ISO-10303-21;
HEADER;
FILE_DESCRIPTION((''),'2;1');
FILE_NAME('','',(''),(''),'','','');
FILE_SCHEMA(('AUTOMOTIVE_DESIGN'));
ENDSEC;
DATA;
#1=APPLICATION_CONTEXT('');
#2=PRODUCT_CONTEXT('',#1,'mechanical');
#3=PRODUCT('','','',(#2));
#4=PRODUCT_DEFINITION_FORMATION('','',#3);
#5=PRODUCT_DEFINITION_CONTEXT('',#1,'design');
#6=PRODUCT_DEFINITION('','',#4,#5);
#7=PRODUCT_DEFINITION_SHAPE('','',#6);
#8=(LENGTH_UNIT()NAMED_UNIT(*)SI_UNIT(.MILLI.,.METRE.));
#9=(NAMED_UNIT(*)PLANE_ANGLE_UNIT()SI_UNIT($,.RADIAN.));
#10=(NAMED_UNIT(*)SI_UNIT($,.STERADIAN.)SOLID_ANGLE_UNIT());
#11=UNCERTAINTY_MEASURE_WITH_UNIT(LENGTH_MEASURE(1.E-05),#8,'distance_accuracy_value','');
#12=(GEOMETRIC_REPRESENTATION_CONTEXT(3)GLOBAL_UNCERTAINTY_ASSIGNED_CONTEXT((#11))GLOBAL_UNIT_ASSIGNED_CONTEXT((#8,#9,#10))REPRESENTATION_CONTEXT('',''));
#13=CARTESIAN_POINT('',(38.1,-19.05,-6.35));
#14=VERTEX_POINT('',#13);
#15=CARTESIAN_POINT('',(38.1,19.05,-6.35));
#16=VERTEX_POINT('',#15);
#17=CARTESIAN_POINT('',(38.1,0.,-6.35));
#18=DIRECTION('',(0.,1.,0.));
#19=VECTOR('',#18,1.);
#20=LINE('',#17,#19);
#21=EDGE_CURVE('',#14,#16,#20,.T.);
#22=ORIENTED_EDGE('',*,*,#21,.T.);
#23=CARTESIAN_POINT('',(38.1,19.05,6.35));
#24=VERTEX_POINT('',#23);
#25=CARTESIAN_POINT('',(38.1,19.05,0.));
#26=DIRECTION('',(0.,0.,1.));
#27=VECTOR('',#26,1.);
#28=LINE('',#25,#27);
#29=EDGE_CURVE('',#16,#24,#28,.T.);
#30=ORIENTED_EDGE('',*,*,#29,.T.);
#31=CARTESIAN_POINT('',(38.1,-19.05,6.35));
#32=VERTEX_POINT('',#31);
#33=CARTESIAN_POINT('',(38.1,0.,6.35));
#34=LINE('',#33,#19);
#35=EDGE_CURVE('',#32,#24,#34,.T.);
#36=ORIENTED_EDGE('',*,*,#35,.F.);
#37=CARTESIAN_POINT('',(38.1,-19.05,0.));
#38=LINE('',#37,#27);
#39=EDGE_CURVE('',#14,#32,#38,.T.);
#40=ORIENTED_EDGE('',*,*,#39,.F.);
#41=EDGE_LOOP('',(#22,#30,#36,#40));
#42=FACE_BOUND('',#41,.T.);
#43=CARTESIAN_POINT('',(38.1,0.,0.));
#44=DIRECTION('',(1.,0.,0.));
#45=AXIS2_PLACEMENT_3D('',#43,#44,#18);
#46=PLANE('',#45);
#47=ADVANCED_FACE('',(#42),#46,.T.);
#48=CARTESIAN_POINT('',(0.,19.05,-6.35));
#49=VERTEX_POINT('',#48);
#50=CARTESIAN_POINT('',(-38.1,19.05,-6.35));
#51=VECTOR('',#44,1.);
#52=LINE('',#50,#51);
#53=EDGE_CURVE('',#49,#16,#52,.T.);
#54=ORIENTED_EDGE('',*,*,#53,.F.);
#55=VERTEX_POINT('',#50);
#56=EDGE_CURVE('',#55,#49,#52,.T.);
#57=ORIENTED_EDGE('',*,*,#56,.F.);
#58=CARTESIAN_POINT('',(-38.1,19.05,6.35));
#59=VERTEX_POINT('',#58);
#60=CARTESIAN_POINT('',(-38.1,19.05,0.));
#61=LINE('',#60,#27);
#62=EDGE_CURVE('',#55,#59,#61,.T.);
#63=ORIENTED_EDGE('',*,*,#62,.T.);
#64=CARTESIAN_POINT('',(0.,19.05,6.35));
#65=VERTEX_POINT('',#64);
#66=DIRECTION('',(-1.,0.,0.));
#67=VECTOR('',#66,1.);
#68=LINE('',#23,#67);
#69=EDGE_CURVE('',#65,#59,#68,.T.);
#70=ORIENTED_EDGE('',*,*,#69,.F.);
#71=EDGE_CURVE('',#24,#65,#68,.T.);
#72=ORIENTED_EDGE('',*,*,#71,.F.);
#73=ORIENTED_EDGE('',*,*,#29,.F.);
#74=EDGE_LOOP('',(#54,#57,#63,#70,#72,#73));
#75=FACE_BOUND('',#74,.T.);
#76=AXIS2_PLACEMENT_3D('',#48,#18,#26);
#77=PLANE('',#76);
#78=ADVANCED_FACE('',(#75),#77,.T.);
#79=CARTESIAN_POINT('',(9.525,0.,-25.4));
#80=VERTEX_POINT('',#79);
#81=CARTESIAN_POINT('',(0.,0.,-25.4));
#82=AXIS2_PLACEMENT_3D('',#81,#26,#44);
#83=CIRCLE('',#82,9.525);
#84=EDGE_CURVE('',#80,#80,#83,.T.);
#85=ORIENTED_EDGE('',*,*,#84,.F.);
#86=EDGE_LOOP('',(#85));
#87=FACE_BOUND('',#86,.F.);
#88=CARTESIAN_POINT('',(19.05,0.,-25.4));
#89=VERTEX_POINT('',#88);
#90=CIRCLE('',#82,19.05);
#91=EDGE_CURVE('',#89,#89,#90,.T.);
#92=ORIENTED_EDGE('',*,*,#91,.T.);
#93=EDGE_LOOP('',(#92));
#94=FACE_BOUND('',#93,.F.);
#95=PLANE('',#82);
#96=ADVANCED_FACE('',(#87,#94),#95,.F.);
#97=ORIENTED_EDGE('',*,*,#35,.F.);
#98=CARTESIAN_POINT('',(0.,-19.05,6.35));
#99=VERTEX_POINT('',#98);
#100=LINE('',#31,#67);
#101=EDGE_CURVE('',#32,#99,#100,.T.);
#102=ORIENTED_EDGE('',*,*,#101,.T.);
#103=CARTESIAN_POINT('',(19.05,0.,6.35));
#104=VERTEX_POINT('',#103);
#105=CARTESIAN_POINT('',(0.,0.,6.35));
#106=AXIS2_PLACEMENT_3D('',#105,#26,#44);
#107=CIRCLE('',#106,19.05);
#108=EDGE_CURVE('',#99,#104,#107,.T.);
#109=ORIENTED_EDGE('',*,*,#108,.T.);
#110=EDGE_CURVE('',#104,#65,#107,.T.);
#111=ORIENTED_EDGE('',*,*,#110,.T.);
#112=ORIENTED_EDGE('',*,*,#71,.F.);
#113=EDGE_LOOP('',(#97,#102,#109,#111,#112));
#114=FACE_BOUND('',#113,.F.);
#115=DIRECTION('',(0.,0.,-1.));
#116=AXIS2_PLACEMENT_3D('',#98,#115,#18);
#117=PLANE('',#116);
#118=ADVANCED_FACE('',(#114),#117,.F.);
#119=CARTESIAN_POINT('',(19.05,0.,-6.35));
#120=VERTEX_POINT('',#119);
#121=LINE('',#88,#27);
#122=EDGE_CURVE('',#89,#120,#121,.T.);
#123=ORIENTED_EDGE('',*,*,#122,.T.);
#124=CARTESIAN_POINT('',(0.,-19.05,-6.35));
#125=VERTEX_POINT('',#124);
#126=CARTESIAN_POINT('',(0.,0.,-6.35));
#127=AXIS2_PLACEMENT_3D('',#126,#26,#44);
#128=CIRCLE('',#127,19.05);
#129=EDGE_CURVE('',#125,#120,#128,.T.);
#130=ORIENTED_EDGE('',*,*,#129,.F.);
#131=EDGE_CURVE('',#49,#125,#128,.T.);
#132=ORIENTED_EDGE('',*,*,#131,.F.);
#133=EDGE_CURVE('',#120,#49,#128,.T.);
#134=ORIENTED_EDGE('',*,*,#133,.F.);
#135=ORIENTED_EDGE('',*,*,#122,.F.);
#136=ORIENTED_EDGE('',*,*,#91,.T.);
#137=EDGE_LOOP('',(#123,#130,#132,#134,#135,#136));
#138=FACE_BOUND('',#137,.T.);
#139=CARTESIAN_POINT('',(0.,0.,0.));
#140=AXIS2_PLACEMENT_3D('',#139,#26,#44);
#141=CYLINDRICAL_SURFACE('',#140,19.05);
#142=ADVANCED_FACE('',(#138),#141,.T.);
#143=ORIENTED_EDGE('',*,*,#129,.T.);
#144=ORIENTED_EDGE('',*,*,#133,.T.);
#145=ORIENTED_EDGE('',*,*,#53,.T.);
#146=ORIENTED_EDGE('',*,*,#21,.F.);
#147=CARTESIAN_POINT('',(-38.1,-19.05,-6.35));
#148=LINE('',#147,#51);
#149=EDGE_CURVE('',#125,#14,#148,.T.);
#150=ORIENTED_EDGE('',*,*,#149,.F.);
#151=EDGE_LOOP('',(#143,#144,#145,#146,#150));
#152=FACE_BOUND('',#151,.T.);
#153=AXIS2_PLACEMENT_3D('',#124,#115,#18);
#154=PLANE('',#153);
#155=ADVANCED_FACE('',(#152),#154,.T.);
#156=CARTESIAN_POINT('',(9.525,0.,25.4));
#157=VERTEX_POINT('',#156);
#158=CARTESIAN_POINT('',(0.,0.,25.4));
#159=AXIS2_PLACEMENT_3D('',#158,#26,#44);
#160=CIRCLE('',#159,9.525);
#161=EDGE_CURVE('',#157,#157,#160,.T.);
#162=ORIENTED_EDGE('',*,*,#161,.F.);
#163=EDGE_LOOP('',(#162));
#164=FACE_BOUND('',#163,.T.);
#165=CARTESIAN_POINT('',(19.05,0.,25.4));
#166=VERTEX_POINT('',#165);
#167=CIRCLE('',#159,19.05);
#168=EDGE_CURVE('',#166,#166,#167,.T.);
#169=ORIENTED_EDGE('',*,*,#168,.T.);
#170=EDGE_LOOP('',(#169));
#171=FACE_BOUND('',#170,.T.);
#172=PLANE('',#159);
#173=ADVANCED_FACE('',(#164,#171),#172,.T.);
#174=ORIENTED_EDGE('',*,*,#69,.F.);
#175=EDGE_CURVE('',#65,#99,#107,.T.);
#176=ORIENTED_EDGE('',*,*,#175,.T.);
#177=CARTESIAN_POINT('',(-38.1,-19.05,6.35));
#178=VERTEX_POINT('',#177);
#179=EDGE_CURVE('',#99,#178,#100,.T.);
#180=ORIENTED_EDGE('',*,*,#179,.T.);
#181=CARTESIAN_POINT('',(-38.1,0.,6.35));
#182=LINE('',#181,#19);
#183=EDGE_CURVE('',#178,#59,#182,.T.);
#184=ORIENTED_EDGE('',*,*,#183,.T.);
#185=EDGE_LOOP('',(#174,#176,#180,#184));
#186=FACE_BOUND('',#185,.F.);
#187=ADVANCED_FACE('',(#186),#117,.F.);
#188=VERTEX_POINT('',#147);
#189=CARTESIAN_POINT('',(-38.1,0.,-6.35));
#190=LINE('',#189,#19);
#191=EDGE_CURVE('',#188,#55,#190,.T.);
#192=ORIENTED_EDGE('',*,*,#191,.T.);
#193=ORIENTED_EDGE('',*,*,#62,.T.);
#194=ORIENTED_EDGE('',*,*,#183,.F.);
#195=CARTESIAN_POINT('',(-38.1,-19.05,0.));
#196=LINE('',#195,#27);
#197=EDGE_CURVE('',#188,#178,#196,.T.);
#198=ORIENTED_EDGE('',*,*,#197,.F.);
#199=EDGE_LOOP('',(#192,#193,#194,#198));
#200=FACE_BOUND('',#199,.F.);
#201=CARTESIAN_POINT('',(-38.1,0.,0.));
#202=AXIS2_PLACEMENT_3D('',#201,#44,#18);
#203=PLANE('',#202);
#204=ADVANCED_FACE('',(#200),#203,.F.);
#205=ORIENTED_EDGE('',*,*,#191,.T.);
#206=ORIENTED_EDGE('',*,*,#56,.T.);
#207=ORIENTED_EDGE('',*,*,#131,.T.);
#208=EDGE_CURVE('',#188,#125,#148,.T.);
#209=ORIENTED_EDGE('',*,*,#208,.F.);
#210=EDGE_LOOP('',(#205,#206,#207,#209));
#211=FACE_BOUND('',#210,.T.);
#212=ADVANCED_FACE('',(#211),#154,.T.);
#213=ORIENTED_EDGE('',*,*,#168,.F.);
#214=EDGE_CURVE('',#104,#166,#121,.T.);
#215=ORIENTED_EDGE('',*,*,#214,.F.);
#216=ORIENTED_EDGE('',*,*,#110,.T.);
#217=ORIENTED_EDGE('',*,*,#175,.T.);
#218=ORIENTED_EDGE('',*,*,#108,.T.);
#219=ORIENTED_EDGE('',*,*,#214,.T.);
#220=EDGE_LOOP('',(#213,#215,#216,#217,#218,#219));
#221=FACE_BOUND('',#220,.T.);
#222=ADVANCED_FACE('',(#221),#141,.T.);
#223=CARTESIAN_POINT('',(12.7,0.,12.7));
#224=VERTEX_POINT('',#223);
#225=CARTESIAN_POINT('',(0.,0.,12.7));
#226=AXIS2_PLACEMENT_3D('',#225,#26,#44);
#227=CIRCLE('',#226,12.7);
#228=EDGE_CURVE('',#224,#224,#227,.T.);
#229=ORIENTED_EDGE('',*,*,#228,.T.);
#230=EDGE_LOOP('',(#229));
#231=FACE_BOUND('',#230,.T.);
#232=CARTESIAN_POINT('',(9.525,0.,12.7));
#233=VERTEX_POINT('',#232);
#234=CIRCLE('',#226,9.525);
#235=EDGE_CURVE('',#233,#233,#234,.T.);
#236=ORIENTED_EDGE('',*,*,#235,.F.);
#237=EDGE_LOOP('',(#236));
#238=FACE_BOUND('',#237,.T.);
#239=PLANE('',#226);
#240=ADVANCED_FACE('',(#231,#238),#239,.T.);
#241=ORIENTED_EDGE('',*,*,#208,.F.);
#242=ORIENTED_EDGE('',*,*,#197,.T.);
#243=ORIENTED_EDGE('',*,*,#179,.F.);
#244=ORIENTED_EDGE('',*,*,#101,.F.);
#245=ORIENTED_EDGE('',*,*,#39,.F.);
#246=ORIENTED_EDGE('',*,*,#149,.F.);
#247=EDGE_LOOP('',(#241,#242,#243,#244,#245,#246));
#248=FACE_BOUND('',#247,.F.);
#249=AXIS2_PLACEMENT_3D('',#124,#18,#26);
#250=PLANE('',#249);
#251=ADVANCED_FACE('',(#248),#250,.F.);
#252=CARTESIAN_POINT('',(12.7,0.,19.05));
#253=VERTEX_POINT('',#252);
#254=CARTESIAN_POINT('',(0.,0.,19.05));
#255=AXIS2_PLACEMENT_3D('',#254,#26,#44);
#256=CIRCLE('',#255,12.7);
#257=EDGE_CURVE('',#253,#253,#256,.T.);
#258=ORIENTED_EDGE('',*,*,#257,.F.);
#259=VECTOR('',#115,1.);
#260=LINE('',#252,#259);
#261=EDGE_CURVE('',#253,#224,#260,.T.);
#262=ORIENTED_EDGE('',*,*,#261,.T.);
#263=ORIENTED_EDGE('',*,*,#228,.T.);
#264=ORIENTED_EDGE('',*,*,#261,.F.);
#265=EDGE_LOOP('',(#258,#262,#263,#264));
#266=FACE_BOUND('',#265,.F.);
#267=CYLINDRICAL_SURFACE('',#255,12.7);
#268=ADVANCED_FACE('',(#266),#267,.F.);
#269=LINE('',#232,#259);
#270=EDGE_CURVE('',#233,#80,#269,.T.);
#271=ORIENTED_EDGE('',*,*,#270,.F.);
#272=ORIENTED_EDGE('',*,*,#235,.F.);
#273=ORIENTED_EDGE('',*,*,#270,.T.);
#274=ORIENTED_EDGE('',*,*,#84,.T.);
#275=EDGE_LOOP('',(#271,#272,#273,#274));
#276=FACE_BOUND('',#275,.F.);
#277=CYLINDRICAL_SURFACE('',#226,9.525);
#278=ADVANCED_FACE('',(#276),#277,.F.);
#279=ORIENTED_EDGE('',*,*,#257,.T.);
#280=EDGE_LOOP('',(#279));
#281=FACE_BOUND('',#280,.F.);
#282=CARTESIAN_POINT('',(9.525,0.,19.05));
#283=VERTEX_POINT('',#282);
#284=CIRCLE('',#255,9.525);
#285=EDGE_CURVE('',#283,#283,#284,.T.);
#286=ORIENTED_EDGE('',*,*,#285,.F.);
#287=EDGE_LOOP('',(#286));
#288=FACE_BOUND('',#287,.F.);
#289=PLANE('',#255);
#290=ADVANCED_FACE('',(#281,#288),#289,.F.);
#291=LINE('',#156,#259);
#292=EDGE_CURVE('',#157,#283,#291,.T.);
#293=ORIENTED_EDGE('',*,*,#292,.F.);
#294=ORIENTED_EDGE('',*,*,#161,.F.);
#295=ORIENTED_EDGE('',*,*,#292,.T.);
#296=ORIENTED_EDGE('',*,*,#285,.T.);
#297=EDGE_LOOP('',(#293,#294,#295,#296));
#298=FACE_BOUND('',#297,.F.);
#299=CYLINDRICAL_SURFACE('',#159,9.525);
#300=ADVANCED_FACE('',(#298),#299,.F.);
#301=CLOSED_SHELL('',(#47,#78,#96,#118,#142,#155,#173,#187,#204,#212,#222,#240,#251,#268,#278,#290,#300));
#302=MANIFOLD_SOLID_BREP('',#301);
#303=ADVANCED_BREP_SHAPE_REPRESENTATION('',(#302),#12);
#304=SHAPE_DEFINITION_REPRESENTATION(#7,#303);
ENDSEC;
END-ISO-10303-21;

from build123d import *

# Parameters (mm, degrees)
F0_R      = 19.05
F1_DEPTH  = 25.4
F2_R      = 9.525
F3_DEPTH  = 6.35
F4_R      = 12.7
F5_DEPTH  = 6.35
F6_R      = 9.525
F7_DEPTH  = 38.101
F8_W      = 38.1
F8_H      = 12.7
F9_DEPTH  = 38.1
F9_FACE_R = 9.525
F10_DEPTH = 31.751


with BuildPart() as f1:
    # F0 (on Top) → F1 (new body, symmetric)
    with BuildSketch(Plane.XY):
        Circle(F0_R)
    extrude(amount=F1_DEPTH, both=True)

    # F2 (on face) → F3 (cut)
    with BuildSketch(Plane.XY.offset(25.4)):
        Circle(F2_R)
    extrude(amount=-F3_DEPTH, mode=Mode.SUBTRACT)

    # F4 (on face) → F5 (cut)
    with BuildSketch(Plane.XY.offset(19.05)):
        Circle(F4_R)
    extrude(amount=-F5_DEPTH, mode=Mode.SUBTRACT)

    # F6 (on face) → F7 (cut, through all)
    with BuildSketch(Plane.XY.offset(12.7)):
        Circle(F6_R)
    extrude(amount=-F7_DEPTH, mode=Mode.SUBTRACT)

    # F8 (on Right) → F9 (join, symmetric)
    with BuildSketch(Plane.YZ):
        Rectangle(F8_W, F8_H)
    extrude(amount=F9_DEPTH, both=True)

    # F9_face (on face) → F10 (cut, through all)
    with BuildSketch(Plane.XY.offset(6.35)):
        Circle(F9_FACE_R)
    extrude(amount=-F10_DEPTH, mode=Mode.SUBTRACT)


solid = f1.part
